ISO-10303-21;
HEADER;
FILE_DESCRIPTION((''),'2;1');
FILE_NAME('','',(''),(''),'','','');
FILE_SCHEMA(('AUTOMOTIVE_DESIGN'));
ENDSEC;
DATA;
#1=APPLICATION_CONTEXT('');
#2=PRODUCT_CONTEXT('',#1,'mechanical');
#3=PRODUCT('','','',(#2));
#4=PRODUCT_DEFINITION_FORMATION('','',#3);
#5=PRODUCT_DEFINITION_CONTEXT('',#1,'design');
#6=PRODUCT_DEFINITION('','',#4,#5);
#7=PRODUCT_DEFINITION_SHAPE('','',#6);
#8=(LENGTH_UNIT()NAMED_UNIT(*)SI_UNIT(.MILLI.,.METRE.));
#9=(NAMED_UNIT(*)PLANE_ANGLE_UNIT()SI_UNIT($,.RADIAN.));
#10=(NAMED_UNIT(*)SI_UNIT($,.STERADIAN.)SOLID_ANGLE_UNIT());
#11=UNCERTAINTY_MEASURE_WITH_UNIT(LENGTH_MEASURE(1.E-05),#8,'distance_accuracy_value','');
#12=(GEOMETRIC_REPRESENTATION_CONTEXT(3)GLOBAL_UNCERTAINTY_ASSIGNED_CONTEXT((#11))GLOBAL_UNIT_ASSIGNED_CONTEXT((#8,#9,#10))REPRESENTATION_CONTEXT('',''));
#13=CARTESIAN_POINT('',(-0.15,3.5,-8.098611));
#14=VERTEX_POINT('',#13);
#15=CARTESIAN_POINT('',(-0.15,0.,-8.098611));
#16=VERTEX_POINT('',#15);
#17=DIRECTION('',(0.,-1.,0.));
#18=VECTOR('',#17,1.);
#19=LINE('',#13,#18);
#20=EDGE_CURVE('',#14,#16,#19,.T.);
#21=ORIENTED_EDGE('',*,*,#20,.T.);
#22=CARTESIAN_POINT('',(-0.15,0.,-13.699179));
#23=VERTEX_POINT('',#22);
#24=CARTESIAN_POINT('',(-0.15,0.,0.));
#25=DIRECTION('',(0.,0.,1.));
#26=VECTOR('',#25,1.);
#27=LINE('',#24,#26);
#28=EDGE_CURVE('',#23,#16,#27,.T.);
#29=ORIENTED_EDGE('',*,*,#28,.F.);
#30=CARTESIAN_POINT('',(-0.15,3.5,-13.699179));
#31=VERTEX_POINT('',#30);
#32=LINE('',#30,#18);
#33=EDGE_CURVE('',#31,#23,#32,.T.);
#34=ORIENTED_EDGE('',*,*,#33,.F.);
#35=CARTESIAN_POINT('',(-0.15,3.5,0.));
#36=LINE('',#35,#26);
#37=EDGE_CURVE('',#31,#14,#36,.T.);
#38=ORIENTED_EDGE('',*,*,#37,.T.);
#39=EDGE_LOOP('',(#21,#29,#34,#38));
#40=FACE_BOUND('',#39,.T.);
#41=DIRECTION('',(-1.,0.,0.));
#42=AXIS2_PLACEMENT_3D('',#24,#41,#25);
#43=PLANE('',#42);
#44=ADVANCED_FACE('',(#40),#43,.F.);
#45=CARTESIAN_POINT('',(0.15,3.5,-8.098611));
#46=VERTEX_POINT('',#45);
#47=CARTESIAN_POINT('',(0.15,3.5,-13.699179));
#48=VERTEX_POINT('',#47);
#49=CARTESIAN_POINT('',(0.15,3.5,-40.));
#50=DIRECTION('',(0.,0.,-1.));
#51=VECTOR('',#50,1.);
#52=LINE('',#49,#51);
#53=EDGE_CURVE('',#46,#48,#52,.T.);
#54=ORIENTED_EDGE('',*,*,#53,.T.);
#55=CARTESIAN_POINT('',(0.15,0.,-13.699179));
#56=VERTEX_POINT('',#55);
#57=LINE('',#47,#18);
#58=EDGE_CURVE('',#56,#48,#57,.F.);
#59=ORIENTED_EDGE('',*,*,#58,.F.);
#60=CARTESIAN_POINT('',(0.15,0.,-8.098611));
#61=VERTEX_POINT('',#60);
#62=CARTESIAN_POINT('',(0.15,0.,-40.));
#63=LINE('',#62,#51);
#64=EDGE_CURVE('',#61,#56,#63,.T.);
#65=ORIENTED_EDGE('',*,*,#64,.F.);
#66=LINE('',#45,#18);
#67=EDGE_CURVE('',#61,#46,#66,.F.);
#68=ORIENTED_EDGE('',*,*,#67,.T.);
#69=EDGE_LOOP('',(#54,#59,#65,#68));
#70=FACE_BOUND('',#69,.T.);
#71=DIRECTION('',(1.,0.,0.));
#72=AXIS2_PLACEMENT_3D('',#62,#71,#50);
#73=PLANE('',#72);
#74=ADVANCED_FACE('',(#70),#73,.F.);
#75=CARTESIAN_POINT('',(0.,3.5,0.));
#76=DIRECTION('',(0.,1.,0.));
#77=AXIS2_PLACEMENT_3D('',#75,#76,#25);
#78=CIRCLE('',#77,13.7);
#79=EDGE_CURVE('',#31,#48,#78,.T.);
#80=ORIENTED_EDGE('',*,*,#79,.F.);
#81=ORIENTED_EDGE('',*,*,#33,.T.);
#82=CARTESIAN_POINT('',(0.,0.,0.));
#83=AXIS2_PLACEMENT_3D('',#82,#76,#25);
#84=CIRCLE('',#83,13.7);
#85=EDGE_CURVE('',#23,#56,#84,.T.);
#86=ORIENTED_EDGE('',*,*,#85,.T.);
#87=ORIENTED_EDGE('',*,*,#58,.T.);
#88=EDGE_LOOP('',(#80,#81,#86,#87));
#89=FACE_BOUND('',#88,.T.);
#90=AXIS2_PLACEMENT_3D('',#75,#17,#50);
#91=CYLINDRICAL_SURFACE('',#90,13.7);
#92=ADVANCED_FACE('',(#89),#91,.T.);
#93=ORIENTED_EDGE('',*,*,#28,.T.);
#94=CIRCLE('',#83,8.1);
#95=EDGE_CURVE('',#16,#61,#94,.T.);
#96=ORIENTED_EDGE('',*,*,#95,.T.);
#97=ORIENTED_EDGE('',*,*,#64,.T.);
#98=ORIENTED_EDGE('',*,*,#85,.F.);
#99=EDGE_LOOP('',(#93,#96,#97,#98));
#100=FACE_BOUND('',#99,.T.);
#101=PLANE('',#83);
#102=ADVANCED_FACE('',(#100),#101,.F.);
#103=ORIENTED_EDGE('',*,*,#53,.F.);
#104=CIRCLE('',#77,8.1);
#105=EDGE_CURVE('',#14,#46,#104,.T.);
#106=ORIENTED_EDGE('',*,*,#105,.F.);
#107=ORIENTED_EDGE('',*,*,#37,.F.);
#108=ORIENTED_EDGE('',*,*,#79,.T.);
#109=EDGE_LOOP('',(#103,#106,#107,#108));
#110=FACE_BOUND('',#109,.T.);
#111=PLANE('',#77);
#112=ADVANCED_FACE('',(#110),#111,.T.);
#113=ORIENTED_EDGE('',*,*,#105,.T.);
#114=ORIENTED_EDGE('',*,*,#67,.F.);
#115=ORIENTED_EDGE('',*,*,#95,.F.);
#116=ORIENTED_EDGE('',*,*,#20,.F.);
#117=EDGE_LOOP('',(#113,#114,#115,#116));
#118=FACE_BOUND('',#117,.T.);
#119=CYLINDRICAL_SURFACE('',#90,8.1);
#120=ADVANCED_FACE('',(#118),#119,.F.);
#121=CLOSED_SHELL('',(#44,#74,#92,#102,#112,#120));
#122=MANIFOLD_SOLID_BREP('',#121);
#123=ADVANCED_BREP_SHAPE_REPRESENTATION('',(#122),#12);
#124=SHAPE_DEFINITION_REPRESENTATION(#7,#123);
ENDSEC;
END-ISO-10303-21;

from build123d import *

# Parameters (mm, degrees)
SKETCH_1_R          = 13.7
SKETCH_1_R_2        = 8.1
EXTRUDE_1_DEPTH     = 3.5
SKETCH_2_W          = 0.3
SKETCH_2_H          = 40
CUT_EXTRUDE_1_DEPTH = 20.688321411


with BuildPart() as part:
    # Эскиз1 → Бобышка-Вытянуть1 (new body)
    with BuildSketch(Plane(origin=(0, 0, 0), x_dir=(1, 0, 0), z_dir=(0, 1, 0))):
        with Locations(Location((0, 0, 0), (0, 0, 270))):
            Circle(SKETCH_1_R)
        with Locations(Location((0, 0, 0), (0, 0, 270))):
            Circle(SKETCH_1_R_2, mode=Mode.SUBTRACT)
    extrude(amount=EXTRUDE_1_DEPTH)

    # Эскиз2 → Вырез-Вытянуть1 (cut, through all)
    with BuildSketch(Plane(origin=(0, 3.5, 0), x_dir=(1, 0, 0), z_dir=(0, 1, 0))):
        with Locations((0, 20)):
            Rectangle(SKETCH_2_W, SKETCH_2_H)
    extrude(amount=-CUT_EXTRUDE_1_DEPTH, mode=Mode.SUBTRACT)


solid = part.part
